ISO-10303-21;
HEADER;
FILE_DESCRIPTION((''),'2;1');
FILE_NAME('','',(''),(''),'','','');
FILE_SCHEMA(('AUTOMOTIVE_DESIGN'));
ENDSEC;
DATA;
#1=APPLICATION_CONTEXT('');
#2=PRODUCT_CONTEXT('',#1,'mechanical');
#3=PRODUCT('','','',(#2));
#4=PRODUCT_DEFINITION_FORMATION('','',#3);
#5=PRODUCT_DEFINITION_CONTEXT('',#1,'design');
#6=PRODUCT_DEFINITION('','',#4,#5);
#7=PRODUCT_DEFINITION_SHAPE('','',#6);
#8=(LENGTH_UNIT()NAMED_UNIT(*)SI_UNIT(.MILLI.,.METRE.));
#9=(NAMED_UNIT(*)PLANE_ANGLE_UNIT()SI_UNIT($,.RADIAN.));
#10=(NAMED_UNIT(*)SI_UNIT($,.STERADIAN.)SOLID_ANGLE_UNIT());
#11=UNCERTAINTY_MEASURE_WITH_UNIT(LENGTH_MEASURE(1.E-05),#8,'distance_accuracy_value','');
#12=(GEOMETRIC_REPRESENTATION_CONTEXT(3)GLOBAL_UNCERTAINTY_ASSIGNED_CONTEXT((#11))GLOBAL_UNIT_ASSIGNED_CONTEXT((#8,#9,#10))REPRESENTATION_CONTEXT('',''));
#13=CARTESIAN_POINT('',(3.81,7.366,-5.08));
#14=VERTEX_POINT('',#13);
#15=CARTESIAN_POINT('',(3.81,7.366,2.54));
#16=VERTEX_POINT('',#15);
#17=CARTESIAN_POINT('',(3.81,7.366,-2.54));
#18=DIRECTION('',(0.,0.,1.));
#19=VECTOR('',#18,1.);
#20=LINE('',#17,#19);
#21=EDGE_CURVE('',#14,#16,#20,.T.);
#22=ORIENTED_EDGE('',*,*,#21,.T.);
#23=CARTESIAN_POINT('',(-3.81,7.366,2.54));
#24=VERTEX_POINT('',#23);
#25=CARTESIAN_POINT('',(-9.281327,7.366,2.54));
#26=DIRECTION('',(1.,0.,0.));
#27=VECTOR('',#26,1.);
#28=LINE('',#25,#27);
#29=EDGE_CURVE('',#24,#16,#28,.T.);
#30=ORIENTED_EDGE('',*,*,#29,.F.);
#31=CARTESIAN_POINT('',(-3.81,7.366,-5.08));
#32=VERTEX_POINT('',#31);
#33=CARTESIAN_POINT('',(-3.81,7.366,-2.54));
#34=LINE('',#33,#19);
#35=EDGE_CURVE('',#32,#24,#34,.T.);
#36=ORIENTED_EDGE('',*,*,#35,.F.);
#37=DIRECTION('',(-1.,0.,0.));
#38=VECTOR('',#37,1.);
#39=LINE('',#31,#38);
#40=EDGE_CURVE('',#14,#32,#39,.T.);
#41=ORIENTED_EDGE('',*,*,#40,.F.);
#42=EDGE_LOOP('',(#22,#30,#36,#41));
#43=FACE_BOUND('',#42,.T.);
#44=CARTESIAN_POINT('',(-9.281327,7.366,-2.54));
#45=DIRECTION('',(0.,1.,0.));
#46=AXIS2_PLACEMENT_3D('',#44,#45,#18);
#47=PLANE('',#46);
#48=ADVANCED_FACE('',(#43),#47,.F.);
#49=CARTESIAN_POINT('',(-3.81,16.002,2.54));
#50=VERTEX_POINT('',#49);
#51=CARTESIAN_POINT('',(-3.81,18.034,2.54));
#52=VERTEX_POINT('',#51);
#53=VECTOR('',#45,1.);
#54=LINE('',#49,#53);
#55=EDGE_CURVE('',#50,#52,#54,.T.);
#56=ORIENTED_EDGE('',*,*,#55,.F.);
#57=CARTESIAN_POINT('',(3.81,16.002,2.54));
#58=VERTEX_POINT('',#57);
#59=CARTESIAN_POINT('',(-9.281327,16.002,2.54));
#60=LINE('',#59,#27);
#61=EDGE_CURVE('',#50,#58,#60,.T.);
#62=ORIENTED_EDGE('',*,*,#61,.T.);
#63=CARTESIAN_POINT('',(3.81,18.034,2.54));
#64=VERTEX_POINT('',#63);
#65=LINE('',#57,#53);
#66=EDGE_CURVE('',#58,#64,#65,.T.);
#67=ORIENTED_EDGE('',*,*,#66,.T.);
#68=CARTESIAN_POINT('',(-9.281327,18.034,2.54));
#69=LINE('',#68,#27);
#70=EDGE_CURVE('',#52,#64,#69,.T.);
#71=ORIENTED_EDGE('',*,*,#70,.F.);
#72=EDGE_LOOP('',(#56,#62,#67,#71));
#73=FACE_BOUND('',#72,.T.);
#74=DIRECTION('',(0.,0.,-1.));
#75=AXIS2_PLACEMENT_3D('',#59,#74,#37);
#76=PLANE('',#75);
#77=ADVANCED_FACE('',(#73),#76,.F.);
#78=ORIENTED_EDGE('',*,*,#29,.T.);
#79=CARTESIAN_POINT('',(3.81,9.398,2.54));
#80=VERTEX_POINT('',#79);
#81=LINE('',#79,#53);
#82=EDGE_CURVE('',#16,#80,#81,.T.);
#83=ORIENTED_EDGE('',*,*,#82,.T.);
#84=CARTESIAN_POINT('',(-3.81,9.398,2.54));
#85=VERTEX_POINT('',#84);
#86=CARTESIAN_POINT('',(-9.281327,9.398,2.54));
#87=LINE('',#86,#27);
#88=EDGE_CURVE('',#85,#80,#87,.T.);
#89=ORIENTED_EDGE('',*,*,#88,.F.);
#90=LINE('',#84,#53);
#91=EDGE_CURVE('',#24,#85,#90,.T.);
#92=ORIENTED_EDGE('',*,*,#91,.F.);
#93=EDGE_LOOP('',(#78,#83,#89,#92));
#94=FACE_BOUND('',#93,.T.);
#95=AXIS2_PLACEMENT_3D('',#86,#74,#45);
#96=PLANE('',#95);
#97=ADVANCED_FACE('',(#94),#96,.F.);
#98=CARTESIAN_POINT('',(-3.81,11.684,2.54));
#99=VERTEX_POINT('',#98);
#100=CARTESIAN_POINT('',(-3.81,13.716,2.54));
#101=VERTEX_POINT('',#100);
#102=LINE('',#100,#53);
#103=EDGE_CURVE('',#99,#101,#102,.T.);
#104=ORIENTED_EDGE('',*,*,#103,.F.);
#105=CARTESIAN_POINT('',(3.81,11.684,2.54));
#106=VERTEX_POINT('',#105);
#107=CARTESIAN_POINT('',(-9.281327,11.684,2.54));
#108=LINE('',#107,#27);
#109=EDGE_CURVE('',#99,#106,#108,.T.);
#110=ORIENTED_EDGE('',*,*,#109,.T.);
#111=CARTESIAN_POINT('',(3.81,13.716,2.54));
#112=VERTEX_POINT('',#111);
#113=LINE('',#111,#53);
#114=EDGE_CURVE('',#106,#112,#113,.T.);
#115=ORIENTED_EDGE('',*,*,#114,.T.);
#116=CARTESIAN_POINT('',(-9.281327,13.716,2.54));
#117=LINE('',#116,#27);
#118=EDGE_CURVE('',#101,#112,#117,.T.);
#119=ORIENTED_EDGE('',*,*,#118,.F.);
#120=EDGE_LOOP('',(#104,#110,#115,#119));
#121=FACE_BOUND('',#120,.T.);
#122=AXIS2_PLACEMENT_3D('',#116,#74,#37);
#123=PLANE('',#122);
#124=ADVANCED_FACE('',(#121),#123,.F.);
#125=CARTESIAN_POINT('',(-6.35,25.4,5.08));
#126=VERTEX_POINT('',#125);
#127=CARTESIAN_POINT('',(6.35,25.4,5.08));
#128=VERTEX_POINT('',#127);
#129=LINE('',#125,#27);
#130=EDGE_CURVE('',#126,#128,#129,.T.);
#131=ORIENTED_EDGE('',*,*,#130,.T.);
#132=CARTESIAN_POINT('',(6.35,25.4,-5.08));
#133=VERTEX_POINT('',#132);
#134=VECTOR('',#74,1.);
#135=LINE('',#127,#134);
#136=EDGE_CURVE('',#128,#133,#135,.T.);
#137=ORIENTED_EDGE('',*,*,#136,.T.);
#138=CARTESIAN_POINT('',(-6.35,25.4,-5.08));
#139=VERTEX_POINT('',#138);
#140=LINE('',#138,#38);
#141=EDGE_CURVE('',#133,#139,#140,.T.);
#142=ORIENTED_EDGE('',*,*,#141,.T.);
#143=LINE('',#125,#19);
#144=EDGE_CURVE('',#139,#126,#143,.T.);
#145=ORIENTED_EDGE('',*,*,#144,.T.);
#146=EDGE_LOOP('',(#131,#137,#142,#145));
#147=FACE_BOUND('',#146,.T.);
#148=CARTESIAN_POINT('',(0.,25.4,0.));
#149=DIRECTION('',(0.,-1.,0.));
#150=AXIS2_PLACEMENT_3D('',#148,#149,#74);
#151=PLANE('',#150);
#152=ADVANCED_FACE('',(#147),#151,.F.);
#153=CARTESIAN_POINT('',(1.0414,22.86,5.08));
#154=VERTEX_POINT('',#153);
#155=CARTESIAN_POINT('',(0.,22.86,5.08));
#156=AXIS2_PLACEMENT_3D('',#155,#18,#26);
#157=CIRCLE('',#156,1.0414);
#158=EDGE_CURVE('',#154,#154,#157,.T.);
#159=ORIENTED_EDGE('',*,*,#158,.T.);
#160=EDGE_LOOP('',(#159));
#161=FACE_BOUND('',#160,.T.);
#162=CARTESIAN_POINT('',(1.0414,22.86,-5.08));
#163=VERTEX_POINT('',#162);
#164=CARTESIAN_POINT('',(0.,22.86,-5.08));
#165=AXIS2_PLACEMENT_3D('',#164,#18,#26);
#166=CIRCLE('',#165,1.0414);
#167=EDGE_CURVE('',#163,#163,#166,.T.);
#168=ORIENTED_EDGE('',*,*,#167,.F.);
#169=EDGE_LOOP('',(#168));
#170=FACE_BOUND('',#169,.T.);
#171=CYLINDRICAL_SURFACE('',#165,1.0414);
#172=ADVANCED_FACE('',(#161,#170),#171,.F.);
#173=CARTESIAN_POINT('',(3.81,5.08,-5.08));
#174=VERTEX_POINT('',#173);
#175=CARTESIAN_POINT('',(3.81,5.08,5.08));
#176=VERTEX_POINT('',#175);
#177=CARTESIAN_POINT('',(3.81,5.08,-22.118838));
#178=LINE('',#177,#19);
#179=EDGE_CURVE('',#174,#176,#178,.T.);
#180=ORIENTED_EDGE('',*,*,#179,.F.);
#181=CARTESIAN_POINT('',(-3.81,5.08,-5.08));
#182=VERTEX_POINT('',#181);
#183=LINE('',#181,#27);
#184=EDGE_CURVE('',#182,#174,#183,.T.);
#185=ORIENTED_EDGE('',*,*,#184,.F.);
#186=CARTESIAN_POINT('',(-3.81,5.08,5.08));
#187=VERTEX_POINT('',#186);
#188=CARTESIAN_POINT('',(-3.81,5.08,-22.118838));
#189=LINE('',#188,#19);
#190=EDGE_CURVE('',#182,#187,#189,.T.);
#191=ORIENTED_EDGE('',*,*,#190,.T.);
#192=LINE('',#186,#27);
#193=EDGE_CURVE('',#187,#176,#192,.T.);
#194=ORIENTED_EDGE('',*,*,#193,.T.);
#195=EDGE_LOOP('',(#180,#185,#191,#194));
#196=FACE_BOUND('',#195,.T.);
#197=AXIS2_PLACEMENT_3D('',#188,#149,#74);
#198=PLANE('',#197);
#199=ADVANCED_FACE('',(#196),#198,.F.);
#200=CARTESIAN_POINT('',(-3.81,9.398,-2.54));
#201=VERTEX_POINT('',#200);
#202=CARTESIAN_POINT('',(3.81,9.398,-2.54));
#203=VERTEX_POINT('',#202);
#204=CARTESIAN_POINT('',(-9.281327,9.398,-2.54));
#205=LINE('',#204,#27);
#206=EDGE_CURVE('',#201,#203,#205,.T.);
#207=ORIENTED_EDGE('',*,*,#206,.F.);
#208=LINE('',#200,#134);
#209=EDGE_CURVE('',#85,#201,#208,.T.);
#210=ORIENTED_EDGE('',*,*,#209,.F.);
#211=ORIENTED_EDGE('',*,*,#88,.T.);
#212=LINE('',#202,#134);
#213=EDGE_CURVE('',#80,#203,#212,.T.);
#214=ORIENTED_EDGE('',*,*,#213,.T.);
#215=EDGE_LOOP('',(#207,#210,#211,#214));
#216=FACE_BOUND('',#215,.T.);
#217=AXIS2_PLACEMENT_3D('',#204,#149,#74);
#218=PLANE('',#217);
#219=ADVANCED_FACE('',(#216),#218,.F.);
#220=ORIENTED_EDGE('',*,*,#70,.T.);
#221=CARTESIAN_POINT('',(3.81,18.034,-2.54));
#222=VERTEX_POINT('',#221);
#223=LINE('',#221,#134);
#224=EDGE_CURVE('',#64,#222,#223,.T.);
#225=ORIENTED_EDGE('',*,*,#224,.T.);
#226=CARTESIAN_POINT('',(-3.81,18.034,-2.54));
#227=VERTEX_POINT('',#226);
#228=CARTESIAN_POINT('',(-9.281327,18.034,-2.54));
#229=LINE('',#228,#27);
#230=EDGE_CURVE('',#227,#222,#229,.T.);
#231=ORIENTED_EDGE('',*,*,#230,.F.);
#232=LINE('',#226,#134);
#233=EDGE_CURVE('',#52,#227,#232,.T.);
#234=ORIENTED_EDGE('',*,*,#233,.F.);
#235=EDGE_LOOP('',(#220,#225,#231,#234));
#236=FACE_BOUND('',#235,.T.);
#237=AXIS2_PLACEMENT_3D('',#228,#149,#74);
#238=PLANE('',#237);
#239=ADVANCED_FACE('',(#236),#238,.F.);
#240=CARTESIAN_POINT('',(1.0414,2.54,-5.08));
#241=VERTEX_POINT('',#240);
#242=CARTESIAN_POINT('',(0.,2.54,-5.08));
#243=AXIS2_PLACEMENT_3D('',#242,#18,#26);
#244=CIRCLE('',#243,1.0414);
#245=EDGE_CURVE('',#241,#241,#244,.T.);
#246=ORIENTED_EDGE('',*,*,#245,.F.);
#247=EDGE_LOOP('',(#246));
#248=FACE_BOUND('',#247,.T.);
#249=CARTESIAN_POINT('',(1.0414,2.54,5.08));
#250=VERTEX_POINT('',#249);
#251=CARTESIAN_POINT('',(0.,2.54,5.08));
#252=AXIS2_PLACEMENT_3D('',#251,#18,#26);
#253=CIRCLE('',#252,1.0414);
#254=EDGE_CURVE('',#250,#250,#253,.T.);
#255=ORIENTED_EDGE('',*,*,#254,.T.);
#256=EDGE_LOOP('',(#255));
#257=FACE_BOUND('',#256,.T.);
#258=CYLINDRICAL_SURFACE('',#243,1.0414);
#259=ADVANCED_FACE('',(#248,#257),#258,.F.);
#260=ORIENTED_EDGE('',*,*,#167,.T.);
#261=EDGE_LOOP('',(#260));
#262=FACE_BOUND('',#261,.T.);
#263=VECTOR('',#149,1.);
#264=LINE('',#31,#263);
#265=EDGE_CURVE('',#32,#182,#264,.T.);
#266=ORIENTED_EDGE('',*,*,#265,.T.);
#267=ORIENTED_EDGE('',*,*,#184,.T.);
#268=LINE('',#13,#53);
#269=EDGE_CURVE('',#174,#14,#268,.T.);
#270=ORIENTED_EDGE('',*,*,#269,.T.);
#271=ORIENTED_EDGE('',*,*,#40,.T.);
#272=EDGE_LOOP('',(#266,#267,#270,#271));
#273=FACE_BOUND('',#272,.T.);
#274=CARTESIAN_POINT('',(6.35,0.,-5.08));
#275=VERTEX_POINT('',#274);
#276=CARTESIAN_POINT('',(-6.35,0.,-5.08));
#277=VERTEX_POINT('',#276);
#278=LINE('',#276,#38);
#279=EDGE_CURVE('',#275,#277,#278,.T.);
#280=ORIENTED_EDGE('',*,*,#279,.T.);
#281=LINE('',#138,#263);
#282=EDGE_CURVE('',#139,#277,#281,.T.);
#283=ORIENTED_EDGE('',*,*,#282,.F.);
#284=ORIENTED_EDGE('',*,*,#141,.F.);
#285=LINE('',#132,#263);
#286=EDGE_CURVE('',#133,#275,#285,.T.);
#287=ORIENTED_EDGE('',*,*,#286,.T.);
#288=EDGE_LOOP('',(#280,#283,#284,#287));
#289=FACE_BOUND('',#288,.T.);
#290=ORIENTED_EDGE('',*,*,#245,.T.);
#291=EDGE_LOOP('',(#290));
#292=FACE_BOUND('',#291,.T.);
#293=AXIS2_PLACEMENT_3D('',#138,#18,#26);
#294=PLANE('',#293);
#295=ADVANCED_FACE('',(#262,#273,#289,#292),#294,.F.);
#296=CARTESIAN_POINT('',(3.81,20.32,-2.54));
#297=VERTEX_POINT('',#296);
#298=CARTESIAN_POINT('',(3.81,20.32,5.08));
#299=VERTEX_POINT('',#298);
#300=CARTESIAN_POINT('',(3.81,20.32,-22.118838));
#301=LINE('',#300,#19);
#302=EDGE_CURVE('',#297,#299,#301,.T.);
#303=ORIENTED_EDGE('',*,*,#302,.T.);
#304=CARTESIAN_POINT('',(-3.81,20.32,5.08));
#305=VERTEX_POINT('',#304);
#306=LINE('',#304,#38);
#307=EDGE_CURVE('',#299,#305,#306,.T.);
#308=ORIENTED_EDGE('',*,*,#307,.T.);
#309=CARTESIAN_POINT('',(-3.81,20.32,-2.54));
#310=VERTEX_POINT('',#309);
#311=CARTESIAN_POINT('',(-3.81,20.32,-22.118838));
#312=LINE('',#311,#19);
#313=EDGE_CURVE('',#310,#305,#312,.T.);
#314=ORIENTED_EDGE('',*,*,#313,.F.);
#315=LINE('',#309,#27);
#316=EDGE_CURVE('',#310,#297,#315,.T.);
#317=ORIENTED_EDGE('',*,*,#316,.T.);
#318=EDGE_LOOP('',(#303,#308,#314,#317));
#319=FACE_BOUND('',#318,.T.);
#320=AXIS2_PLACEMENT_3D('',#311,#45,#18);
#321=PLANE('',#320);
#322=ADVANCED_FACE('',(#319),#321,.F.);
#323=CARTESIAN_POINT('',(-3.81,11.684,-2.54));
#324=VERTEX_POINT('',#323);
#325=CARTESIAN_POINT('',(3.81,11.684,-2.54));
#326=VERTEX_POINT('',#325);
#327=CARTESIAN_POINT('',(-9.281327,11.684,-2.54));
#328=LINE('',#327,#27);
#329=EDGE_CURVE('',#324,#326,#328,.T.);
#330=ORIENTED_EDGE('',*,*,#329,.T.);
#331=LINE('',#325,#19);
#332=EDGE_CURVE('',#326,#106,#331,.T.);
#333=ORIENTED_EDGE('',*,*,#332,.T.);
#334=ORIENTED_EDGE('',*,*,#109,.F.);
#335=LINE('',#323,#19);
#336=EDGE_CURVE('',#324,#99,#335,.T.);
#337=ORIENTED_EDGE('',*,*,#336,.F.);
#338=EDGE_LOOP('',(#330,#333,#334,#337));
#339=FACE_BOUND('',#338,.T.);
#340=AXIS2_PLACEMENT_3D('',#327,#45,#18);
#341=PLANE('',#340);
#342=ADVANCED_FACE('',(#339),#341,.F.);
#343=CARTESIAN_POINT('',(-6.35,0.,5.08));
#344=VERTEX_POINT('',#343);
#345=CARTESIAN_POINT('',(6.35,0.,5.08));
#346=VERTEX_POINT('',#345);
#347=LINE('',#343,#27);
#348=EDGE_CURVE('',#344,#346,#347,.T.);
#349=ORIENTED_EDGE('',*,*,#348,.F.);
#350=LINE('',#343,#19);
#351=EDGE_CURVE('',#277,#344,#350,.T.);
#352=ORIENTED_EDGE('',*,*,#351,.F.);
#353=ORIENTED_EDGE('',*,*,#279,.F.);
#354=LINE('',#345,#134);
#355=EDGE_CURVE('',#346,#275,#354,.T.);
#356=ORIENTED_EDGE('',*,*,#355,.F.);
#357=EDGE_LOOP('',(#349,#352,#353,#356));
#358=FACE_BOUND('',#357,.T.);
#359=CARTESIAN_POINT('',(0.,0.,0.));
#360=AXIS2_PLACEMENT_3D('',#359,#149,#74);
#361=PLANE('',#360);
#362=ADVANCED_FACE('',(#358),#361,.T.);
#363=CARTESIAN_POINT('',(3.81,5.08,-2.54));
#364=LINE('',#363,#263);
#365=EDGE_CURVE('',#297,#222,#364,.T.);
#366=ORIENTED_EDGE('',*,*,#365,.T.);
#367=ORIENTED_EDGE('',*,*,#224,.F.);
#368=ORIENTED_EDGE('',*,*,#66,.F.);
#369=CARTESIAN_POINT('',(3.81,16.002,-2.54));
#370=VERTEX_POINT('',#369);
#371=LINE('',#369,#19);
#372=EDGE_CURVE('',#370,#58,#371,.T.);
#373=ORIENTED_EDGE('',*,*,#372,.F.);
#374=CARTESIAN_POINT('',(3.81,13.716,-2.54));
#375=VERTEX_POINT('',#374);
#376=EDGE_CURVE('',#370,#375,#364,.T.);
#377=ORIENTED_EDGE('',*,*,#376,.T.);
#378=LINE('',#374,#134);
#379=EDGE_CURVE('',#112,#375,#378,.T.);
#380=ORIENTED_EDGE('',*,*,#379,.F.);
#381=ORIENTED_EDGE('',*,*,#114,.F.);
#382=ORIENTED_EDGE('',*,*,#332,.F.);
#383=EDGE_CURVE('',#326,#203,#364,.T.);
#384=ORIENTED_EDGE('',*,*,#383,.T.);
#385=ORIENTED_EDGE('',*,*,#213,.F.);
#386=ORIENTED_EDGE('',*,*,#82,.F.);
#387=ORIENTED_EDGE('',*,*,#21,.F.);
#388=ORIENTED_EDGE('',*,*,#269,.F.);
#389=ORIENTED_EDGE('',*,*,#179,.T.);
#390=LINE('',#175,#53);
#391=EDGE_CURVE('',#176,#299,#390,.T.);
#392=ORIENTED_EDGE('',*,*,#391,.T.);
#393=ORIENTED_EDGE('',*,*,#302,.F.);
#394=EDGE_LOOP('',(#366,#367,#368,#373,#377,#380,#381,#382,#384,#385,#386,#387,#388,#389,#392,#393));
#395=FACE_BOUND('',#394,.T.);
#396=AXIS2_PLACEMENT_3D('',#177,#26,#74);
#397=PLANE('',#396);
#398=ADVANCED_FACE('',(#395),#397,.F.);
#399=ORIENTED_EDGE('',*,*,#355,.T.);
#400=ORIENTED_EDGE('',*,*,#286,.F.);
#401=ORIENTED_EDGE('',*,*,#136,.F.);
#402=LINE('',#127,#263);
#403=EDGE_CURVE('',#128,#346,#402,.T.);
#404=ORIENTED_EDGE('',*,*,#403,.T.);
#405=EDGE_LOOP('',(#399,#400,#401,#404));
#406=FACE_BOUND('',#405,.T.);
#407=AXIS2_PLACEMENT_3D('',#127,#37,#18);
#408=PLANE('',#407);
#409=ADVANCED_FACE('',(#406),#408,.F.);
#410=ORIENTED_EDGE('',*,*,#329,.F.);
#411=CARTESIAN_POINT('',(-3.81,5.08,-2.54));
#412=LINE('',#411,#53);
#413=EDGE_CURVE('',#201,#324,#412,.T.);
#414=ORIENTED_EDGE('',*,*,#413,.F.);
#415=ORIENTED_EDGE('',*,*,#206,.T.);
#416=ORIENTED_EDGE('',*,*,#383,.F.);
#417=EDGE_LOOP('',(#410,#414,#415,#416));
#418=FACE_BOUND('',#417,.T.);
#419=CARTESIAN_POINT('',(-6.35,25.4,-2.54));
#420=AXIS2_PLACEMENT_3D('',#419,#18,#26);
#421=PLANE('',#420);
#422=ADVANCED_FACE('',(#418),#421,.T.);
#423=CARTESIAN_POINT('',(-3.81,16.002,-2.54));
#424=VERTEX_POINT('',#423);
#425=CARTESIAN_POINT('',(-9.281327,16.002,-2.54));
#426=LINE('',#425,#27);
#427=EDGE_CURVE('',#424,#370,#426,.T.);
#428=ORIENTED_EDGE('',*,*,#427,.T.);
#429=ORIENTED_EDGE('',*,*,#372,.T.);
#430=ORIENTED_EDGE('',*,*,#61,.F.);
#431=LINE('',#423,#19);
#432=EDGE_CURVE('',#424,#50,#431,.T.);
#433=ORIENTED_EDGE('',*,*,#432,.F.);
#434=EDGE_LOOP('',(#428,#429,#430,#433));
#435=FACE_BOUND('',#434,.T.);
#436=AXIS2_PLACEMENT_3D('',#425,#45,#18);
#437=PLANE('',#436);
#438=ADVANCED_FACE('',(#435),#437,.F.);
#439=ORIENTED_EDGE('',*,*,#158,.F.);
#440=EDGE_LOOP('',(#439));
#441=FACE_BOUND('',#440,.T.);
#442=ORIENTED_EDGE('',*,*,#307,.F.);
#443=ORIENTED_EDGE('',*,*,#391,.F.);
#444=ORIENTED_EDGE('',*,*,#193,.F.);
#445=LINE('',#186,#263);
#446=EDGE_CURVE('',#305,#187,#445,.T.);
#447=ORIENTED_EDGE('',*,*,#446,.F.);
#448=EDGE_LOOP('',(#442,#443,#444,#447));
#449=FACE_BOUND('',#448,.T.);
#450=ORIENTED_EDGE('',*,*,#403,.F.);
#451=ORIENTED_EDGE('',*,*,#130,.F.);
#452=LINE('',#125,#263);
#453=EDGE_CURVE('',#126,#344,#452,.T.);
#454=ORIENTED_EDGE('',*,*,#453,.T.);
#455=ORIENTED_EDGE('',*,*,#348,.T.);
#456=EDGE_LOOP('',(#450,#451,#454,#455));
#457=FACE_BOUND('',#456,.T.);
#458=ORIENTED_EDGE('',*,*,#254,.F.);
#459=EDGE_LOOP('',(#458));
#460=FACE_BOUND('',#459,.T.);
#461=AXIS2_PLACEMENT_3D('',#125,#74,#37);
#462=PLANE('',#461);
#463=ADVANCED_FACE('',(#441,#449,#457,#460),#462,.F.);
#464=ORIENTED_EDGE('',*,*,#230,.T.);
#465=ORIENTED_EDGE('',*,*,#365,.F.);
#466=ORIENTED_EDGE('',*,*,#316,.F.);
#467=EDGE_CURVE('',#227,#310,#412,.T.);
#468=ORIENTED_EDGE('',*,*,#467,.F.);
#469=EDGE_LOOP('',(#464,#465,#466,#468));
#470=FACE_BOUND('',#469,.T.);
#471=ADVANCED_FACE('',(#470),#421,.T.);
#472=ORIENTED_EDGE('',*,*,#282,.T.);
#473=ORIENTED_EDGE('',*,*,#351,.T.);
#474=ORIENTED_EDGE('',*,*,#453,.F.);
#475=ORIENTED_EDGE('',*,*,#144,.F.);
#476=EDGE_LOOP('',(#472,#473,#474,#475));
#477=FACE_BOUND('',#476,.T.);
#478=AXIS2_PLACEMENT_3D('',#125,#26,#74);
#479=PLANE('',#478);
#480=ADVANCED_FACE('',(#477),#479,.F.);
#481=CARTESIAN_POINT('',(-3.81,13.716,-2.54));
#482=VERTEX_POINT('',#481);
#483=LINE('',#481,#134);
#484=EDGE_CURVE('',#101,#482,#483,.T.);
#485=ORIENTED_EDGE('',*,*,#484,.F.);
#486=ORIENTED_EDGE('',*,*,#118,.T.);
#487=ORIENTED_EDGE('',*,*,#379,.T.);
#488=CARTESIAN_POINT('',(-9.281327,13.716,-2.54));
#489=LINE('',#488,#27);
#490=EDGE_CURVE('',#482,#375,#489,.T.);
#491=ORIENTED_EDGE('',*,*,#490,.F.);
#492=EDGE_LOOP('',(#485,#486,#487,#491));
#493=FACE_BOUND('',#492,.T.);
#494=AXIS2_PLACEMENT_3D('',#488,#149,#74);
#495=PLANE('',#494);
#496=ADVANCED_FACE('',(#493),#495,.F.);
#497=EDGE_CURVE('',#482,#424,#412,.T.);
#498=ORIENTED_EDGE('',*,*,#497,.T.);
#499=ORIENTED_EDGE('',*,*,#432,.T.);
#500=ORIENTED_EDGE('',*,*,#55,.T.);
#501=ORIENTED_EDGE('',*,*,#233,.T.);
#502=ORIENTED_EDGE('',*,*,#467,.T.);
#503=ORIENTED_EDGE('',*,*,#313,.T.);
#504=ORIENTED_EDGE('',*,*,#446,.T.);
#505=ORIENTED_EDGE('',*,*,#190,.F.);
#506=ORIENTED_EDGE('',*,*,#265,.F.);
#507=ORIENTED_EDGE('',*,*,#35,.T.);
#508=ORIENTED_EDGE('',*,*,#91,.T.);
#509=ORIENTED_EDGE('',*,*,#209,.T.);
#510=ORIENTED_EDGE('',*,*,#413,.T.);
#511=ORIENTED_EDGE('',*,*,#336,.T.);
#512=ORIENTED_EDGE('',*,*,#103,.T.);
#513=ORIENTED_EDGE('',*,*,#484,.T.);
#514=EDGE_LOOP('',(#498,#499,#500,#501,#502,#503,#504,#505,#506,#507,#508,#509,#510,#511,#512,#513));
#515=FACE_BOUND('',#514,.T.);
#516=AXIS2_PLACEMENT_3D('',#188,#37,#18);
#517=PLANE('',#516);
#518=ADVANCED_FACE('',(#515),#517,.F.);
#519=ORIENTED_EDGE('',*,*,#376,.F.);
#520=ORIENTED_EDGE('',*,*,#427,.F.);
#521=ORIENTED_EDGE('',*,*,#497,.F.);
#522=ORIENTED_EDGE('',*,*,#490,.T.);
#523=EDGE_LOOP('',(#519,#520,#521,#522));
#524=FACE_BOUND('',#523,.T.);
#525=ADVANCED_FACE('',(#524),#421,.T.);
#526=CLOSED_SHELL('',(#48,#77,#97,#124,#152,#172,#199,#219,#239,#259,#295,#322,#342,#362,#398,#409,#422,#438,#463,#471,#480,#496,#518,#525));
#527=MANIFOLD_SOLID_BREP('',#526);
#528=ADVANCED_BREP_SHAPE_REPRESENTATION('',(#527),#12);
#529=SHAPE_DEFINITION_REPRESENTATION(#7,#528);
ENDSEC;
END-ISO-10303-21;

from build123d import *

# Parameters (mm, degrees)
SKETCH1_W           = 12.7
SKETCH1_H           = 10.16
BOSS_EXTRUDE1_DEPTH = 25.4
SKETCH2_W           = 7.62
SKETCH2_H           = 15.24
CUT_EXTRUDE1_DEPTH  = 7.62
SKETCH3_W           = 5.08
SKETCH3_H           = 2.032
BOSS_EXTRUDE2_DEPTH = 7.62
SKETCH4_W           = 7.62
SKETCH4_H           = 2.286
CUT_EXTRUDE2_DEPTH  = 3.54
SKETCH5_R           = 1.0414
CUT_EXTRUDE4_DEPTH  = 11.16


with BuildPart() as part:
    # Sketch1 → Boss-Extrude1 (new body)
    with BuildSketch(Plane(origin=(0, 0, 0), x_dir=(1, 0, 0), z_dir=(0, 1, 0))):
        Rectangle(SKETCH1_W, SKETCH1_H)
    extrude(amount=BOSS_EXTRUDE1_DEPTH)

    # Sketch2 → Cut-Extrude1 (cut)
    with BuildSketch(Plane.XY.offset(5.08)):
        with Locations((0, 12.7)):
            Rectangle(SKETCH2_W, SKETCH2_H)
    extrude(amount=-CUT_EXTRUDE1_DEPTH, mode=Mode.SUBTRACT)

    # Sketch3 → Boss-Extrude2 (add)
    with BuildSketch(Plane.ZY.offset(-3.81)):
        with Locations((0, 12.7)):
            Rectangle(SKETCH3_W, SKETCH3_H)
        with Locations((0, 8.382)):
            Rectangle(SKETCH3_W, SKETCH3_H)
        with Locations((0, 17.018)):
            Rectangle(SKETCH3_W, SKETCH3_H)
    extrude(amount=BOSS_EXTRUDE2_DEPTH)

    # Sketch4 → Cut-Extrude2 (cut, through all)
    with BuildSketch(Plane.XY.offset(-2.54)):
        with Locations((0, 6.223)):
            Rectangle(SKETCH4_W, SKETCH4_H)
    extrude(amount=-CUT_EXTRUDE2_DEPTH, mode=Mode.SUBTRACT)

    # Sketch5 → Cut-Extrude4 (cut, through all)
    with BuildSketch(Plane.XY.offset(5.08)):
        with Locations((0, 2.54)):
            Circle(SKETCH5_R)
        with Locations((0, 22.86)):
            Circle(SKETCH5_R)
    extrude(amount=-CUT_EXTRUDE4_DEPTH, mode=Mode.SUBTRACT)


solid = part.part
